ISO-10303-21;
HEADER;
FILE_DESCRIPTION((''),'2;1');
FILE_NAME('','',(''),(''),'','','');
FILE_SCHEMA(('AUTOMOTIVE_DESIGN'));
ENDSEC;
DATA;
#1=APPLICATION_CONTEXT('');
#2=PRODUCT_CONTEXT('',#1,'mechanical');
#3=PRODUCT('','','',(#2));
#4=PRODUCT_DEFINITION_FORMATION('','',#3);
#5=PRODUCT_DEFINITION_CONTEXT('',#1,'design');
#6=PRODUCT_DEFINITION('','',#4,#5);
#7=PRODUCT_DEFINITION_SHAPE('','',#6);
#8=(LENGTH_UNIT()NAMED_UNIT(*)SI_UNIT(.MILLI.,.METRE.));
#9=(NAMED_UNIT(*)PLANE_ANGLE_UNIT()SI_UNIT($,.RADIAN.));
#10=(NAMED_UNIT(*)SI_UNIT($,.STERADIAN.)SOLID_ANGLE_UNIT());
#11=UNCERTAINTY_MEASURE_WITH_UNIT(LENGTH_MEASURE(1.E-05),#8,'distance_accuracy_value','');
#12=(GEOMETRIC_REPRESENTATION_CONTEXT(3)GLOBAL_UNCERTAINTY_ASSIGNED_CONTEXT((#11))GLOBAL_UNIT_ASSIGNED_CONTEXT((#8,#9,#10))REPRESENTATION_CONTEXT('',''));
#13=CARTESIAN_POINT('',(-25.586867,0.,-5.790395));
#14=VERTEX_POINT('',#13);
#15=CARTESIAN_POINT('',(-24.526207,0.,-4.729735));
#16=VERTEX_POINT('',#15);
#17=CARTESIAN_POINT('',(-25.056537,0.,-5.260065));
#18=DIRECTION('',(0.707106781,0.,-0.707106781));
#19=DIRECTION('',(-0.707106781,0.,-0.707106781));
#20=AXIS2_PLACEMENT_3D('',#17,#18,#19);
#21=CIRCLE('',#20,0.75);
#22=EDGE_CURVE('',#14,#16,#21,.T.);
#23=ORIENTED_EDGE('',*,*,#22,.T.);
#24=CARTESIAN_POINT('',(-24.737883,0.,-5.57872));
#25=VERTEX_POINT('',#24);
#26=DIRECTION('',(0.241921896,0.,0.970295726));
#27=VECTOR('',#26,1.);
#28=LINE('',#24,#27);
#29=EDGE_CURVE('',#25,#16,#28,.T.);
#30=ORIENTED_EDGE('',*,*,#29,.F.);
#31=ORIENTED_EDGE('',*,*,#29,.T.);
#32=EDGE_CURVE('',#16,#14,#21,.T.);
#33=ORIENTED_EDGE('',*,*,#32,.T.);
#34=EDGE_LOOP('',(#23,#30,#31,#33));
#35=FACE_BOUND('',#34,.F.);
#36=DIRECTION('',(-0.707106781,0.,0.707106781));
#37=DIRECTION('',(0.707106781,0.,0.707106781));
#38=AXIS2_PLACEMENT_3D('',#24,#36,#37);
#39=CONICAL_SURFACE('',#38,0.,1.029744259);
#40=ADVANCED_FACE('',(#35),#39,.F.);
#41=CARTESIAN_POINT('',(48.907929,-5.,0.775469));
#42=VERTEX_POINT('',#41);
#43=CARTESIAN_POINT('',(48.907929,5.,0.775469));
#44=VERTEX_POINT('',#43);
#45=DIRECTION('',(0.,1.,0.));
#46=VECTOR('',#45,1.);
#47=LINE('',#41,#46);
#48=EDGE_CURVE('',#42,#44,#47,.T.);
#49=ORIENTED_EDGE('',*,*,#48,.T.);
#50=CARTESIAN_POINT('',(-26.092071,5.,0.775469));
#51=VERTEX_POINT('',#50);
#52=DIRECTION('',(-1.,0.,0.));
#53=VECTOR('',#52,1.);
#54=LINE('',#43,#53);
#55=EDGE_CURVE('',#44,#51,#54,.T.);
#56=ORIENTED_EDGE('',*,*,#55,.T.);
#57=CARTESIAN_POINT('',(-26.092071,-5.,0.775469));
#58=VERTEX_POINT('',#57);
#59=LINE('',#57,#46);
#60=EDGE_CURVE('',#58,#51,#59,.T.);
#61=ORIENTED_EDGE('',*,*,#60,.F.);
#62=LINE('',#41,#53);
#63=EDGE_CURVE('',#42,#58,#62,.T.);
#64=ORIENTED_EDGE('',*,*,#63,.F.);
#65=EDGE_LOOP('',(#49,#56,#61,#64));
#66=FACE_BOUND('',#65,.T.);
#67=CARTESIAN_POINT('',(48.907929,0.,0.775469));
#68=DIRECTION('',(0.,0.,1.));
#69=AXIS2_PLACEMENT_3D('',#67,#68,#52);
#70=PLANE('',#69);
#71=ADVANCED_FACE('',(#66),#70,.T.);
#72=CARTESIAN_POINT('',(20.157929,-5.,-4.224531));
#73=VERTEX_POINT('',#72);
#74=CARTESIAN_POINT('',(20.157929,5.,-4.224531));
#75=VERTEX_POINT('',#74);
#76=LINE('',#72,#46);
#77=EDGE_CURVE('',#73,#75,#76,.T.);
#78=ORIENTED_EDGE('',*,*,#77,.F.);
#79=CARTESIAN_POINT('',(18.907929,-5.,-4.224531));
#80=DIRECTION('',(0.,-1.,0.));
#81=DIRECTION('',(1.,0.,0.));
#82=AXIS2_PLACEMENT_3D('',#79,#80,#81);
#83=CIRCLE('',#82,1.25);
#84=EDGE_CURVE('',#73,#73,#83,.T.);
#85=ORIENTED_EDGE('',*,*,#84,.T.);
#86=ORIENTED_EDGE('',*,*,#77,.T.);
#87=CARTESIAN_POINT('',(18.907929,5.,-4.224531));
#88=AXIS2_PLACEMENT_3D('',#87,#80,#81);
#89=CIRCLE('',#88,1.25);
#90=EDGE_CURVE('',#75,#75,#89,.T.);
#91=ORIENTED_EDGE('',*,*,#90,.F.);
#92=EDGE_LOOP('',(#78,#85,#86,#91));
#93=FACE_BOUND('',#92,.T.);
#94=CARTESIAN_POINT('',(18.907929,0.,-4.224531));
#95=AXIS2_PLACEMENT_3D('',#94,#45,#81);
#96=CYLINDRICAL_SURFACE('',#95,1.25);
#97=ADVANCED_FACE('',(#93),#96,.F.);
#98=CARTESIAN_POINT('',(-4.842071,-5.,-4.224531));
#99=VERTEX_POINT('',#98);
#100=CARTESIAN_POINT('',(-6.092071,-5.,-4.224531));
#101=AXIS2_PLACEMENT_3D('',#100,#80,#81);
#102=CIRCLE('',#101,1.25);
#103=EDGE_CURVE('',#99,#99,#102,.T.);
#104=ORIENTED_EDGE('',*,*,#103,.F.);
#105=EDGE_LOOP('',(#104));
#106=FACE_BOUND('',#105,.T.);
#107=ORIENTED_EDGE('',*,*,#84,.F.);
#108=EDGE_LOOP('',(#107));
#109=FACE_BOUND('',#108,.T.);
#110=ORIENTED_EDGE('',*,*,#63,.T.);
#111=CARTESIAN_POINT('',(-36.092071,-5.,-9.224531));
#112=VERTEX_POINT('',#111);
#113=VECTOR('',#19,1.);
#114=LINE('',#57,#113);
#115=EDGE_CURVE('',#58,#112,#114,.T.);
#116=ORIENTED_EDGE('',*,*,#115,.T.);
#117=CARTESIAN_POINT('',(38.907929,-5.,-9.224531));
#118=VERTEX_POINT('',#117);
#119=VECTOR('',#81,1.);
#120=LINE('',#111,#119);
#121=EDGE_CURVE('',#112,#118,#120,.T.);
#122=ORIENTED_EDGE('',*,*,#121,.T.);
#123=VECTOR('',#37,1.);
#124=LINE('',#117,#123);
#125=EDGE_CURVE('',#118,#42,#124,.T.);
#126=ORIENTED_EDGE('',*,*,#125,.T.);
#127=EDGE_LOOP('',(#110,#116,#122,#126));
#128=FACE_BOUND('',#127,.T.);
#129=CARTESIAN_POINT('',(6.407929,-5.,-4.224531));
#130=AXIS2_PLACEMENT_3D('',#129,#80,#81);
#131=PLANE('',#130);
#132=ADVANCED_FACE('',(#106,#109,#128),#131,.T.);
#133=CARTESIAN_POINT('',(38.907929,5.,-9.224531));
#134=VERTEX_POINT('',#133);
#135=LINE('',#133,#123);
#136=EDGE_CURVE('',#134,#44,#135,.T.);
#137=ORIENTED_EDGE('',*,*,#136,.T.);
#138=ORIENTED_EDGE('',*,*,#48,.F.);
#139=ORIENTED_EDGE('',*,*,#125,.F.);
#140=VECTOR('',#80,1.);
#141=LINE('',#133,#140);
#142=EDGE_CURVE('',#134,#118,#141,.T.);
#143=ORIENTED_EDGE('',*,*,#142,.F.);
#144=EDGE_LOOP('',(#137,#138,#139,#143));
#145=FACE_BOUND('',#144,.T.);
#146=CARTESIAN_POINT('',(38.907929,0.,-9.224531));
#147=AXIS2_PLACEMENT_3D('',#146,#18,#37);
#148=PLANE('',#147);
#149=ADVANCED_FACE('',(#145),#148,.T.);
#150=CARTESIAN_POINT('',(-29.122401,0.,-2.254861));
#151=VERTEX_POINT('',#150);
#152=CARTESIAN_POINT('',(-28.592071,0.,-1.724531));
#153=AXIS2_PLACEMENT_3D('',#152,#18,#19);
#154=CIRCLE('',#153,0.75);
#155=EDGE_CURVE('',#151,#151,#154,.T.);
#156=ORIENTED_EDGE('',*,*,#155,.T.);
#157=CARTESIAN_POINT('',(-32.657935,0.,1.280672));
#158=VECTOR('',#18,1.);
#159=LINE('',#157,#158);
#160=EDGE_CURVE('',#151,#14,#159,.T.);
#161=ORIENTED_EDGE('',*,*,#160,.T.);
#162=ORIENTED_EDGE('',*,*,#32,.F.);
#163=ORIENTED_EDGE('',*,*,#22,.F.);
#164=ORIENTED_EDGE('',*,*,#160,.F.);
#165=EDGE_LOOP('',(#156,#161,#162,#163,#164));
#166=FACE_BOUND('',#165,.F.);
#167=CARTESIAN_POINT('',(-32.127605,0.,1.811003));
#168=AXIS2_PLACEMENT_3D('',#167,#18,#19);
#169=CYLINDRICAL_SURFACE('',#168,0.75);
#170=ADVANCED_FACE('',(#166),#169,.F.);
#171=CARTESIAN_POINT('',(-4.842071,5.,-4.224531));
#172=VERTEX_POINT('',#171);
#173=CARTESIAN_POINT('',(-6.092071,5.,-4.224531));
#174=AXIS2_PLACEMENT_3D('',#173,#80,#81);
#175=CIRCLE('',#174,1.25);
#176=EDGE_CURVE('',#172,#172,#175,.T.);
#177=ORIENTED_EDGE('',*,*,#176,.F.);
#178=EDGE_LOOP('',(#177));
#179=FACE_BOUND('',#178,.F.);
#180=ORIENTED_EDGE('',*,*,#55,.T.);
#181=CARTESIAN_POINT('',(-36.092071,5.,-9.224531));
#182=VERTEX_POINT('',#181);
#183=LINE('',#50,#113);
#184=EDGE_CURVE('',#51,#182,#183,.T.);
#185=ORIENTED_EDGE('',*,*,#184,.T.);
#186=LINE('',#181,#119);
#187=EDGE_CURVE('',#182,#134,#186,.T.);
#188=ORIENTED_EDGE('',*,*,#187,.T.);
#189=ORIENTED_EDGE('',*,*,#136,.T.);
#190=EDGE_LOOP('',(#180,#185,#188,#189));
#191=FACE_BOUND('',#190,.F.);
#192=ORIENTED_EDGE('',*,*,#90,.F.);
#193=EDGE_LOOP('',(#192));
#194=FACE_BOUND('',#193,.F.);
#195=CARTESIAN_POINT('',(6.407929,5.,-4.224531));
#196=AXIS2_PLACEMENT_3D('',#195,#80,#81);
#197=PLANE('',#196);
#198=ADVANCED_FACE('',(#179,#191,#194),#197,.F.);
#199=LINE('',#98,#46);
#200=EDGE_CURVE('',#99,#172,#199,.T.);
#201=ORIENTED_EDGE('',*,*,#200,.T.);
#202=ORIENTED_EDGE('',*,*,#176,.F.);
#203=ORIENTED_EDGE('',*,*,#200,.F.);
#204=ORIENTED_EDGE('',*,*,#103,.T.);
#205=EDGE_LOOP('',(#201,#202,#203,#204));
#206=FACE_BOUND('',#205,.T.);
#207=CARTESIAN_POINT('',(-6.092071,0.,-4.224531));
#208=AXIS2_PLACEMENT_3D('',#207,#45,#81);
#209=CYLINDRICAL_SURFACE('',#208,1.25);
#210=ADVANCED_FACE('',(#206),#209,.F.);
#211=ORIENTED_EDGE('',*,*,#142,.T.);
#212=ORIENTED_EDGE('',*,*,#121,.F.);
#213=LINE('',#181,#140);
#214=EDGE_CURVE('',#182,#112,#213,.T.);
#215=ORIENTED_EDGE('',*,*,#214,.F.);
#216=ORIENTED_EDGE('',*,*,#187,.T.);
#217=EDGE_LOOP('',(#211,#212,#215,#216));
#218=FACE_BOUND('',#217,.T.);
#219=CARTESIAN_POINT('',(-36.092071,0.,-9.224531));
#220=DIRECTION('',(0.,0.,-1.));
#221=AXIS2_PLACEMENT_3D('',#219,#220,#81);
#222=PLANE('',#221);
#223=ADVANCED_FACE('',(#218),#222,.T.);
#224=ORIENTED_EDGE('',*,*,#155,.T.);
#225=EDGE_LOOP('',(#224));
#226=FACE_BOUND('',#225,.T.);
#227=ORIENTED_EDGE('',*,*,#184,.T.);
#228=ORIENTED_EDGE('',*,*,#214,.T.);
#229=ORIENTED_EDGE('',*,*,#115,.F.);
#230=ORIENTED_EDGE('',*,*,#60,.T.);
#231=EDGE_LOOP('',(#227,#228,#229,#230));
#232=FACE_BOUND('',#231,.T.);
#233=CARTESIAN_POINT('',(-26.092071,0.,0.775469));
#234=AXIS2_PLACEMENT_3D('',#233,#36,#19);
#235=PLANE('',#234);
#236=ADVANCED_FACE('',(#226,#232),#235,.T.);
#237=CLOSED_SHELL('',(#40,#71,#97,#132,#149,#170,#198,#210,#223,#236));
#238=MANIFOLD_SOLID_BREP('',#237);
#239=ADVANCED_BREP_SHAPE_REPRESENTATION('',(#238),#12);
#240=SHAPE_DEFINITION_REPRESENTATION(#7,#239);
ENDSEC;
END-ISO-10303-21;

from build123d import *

# Parameters (mm, degrees)
F0_R     = 1.25
F1_DEPTH = 5
F3_D     = 1.5
F3_DEPTH = 5
F3_TIP   = 0.4506454643


with BuildPart() as f1:
    # F0 (on Front) → F1 (new body, symmetric)
    with BuildSketch(Plane.XZ):
        Polygon((38.9079287648, 0.7754686598), (-26.0920712352, 0.7754686598), (-36.0920712352, -9.2245313402), (38.9079287648, -9.2245313402), (48.9079287648, 0.7754686598), align=None)
        with Locations((-6.0920712352, -4.2245313402)):
            Circle(F0_R, mode=Mode.SUBTRACT)
        with Locations((18.9079287648, -4.2245313402)):
            Circle(F0_R, mode=Mode.SUBTRACT)
    extrude(amount=F1_DEPTH, both=True)

    # F3
    with Locations(Plane(origin=(-13.4337699475, 0, 13.4337699475), x_dir=(0.7071067812, 0, 0.7071067812), z_dir=(-0.7071067812, 0, 0.7071067812))):
        with Locations((-21.4370752636, 0)):
            Hole(F3_D / 2, depth=F3_DEPTH)
            with Locations((0, 0, -(F3_DEPTH + F3_TIP / 2))):  # 118° drill point
                Cone(0, F3_D / 2, F3_TIP, mode=Mode.SUBTRACT)


solid = f1.part
